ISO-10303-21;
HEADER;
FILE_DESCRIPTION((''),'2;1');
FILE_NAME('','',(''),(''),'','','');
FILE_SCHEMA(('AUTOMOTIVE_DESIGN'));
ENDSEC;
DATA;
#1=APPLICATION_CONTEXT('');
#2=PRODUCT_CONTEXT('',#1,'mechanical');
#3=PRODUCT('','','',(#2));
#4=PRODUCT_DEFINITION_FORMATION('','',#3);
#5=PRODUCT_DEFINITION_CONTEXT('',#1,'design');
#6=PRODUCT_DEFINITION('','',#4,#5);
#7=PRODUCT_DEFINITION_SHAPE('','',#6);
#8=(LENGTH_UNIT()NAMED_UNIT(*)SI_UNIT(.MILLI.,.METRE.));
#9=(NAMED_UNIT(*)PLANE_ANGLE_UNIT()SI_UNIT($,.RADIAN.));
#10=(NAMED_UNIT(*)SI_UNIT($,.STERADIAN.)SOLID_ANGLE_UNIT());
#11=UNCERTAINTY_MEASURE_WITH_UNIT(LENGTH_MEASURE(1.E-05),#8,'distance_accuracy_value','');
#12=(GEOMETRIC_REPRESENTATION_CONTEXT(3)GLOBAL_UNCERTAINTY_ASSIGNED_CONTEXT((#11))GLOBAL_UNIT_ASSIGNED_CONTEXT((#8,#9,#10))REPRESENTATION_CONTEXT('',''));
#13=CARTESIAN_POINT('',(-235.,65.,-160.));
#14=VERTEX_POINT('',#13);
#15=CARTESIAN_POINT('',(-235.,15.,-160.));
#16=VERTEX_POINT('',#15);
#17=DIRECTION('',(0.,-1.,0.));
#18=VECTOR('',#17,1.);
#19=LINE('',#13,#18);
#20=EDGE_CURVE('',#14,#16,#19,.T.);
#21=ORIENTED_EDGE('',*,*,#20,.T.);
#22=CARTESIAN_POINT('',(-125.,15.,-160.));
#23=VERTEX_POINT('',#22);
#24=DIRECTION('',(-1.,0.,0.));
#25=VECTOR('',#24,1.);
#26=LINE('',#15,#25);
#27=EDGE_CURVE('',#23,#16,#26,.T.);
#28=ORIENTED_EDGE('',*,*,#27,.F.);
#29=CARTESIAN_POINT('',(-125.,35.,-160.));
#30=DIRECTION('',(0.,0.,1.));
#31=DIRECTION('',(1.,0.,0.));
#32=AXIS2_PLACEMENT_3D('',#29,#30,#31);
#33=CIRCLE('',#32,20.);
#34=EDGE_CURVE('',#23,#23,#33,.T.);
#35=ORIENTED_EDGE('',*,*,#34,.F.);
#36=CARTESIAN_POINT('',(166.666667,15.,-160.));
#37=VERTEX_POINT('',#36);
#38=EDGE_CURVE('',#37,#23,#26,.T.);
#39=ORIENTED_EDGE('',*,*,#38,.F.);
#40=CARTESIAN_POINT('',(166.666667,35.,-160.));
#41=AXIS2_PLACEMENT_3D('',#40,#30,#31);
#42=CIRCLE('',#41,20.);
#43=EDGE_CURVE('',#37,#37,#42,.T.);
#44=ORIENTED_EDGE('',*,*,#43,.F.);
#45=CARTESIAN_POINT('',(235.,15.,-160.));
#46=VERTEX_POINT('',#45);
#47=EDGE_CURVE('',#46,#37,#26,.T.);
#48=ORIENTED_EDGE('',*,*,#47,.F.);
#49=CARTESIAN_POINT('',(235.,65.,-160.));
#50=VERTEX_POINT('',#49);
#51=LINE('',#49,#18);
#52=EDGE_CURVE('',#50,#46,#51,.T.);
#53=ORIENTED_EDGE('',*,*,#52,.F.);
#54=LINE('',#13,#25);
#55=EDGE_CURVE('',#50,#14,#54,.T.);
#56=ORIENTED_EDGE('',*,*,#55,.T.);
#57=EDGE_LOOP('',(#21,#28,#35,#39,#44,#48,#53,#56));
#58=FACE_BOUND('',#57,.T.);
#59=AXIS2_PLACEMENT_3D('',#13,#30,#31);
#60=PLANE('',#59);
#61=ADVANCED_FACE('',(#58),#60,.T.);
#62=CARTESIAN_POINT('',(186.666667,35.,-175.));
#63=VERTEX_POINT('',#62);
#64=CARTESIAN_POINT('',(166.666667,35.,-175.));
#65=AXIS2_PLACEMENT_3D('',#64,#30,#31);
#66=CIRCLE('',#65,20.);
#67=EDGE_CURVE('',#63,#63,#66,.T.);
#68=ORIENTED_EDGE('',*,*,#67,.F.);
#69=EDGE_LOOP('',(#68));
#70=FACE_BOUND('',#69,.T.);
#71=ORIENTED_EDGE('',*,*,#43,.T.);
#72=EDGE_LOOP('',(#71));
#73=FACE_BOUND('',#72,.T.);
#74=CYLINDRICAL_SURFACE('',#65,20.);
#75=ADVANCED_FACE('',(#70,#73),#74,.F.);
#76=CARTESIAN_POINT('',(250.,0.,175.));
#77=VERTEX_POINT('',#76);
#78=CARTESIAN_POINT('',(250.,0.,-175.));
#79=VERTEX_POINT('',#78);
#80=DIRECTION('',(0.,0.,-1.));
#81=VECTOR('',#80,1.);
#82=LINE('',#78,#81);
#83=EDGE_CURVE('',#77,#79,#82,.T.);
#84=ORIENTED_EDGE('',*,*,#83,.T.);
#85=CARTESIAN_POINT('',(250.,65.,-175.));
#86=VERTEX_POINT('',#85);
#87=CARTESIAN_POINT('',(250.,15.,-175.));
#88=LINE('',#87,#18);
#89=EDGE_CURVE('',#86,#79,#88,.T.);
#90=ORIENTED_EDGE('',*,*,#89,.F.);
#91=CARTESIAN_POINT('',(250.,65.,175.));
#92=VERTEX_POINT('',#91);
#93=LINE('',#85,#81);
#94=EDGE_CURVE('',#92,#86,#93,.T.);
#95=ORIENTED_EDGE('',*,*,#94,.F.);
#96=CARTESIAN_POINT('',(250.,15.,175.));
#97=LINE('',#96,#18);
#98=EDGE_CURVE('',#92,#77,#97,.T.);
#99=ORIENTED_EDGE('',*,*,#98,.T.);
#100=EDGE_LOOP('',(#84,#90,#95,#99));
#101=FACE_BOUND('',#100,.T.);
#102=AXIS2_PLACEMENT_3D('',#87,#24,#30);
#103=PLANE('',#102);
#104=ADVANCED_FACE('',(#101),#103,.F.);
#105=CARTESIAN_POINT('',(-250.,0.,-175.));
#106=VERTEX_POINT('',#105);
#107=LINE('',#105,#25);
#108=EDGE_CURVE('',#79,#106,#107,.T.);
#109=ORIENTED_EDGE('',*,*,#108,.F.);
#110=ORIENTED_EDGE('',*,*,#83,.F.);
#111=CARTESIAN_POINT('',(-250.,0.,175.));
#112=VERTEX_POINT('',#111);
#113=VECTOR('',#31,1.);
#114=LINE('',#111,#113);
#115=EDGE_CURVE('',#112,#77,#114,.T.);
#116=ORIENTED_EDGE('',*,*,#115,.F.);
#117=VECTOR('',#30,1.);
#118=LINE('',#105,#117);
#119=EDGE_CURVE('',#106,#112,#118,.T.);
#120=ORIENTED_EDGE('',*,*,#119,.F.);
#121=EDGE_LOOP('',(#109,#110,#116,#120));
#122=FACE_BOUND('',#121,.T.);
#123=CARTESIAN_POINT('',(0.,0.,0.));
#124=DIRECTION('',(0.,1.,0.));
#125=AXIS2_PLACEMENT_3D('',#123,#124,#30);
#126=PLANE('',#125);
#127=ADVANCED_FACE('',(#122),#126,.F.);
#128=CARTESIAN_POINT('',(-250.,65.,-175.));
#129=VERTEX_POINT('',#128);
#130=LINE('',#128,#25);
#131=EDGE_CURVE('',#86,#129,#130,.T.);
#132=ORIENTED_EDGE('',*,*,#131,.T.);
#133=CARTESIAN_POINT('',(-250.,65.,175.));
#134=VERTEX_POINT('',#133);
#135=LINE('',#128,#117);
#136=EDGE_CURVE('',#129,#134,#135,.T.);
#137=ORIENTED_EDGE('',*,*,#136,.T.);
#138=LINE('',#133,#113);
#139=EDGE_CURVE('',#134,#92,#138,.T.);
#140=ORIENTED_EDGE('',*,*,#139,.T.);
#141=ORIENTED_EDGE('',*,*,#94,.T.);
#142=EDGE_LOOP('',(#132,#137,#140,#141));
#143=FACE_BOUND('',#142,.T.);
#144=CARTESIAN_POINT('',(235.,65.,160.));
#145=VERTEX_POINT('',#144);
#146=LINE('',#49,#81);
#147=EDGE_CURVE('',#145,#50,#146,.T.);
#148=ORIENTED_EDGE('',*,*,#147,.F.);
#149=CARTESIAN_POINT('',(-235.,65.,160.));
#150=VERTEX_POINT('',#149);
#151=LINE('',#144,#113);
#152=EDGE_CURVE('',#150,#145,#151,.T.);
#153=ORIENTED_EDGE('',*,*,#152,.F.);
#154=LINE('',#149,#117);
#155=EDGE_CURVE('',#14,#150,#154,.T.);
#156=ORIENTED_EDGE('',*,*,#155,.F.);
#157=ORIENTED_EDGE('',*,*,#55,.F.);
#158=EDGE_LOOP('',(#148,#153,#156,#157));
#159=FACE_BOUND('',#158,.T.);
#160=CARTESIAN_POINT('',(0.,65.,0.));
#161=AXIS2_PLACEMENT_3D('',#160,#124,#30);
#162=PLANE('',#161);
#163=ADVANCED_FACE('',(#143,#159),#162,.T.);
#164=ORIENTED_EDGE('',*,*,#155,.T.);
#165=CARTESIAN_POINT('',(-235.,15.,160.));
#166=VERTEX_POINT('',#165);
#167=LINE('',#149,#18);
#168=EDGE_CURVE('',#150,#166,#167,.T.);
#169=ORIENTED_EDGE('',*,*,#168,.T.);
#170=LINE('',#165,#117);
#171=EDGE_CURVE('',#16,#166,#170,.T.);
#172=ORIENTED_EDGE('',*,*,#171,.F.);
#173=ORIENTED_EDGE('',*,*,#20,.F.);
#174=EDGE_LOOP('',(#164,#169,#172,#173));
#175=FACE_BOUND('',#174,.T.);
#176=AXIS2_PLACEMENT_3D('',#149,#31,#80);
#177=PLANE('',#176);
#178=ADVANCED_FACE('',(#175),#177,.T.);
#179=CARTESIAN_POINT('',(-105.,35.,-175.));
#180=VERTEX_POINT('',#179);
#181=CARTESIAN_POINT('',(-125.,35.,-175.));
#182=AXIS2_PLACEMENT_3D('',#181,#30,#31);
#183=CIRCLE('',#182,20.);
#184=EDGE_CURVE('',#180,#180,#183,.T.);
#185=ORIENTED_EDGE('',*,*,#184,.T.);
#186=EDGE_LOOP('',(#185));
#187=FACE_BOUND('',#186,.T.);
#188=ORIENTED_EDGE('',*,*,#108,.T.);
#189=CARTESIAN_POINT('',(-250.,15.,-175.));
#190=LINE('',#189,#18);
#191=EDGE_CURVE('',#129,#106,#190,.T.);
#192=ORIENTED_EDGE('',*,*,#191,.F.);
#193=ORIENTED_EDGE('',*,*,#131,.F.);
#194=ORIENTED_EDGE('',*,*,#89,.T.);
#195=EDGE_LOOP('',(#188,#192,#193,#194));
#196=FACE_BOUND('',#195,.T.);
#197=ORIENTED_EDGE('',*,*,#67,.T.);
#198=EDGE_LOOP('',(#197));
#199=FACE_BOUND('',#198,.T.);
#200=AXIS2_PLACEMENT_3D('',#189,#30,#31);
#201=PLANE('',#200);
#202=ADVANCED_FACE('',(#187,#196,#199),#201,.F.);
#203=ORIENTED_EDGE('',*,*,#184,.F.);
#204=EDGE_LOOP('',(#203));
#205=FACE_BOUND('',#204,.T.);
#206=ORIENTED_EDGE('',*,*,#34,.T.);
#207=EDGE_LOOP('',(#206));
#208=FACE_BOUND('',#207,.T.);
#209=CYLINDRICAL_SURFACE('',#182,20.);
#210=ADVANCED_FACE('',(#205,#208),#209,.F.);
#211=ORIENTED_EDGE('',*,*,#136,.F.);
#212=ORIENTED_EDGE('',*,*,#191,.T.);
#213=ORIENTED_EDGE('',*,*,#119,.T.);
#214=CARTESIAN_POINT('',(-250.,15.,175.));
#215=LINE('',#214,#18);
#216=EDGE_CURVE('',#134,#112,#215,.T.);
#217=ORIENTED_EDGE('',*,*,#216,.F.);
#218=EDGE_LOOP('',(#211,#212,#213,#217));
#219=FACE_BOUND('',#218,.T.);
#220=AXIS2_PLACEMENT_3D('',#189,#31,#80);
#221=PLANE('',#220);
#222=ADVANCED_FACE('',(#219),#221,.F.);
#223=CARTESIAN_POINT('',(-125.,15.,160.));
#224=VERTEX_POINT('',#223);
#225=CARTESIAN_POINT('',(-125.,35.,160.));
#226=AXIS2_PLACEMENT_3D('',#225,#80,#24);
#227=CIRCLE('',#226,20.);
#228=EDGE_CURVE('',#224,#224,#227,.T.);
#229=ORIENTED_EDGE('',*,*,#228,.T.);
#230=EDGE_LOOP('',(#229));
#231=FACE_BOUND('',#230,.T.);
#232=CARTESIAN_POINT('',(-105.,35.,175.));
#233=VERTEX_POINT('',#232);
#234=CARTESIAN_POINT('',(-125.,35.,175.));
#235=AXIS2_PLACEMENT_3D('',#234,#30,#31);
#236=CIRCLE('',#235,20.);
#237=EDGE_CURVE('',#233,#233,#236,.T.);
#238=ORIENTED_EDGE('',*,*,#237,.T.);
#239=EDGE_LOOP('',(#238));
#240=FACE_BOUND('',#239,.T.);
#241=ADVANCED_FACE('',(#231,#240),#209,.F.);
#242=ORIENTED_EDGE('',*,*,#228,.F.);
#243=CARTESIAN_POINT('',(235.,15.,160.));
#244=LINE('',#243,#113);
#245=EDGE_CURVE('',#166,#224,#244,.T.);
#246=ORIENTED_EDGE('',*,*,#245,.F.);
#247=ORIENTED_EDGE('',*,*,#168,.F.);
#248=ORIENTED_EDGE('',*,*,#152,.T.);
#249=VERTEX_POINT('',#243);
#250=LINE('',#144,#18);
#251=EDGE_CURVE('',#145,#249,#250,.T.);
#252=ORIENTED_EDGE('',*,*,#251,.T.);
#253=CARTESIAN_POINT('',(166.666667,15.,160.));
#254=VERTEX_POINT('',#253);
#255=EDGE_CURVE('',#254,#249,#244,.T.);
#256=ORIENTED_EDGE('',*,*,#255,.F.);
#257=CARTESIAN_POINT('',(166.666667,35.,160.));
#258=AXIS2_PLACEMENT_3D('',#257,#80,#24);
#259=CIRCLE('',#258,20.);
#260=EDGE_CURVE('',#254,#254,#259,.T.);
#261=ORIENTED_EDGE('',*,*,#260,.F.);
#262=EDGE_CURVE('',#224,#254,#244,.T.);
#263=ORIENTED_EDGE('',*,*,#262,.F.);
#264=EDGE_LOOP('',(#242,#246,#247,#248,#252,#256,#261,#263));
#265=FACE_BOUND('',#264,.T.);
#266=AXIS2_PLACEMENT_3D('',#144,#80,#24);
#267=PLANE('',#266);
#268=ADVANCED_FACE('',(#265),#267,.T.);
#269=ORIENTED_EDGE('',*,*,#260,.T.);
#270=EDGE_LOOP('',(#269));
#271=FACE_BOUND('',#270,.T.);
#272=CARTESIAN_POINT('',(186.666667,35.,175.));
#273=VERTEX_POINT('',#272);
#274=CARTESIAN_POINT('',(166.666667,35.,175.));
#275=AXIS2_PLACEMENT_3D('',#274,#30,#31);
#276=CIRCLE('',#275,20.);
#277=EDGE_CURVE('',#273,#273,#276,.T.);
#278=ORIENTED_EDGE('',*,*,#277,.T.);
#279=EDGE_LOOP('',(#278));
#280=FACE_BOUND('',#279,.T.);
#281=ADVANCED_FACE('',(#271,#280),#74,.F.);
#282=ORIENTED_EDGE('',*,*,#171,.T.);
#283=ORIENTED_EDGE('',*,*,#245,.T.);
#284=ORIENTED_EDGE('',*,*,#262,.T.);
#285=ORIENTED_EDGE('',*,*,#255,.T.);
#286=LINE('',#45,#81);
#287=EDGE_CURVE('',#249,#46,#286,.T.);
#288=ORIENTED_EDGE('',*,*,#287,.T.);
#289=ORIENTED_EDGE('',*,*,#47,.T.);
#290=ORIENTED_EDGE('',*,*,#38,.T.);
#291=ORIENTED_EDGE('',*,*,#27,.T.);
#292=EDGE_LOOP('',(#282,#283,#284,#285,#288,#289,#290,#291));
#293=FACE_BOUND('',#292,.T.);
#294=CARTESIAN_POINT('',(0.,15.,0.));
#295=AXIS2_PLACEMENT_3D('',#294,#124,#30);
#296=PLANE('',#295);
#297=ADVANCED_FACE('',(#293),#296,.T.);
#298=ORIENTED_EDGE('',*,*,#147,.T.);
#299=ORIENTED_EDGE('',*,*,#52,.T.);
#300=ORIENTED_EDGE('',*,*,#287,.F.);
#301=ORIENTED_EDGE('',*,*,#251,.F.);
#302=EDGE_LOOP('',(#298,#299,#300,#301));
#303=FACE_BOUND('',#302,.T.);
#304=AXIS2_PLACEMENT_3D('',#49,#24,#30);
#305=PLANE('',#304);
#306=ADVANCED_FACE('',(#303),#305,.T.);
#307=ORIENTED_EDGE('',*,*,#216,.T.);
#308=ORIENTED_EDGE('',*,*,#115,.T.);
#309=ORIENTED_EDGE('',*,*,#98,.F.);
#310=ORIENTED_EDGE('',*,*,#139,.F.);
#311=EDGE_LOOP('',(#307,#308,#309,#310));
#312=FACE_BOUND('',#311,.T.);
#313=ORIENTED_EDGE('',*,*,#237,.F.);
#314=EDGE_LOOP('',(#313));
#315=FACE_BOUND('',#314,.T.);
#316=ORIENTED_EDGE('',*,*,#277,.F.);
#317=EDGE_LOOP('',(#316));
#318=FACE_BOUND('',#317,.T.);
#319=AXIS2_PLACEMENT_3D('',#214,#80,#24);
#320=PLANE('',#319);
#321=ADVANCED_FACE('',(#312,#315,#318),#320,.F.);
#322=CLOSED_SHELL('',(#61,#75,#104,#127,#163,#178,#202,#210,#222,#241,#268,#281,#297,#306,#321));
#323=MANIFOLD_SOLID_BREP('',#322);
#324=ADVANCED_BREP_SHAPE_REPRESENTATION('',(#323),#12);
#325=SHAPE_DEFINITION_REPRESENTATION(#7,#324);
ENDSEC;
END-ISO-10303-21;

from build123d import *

# Parameters (mm, degrees)
CROQUIS1_W              = 500
CROQUIS1_H              = 350
SALIENTE_EXTRUIR1_DEPTH = 15
CROQUIS2_W              = 500
CROQUIS2_H              = 350
CROQUIS2_W_2            = 470
CROQUIS2_H_2            = 320
SALIENTE_EXTRUIR2_DEPTH = 50
CROQUIS3_R              = 20
CORTAR_EXTRUIR1_DEPTH   = 351


with BuildPart() as part:
    # Croquis1 → Saliente-Extruir1 (new body)
    with BuildSketch(Plane(origin=(0, 0, 0), x_dir=(1, 0, 0), z_dir=(0, 1, 0))):
        Rectangle(CROQUIS1_W, CROQUIS1_H)
    extrude(amount=SALIENTE_EXTRUIR1_DEPTH)

    # Croquis2 → Saliente-Extruir2 (add)
    with BuildSketch(Plane(origin=(0, 15, 0), x_dir=(1, 0, 0), z_dir=(0, 1, 0))):
        Rectangle(CROQUIS2_W, CROQUIS2_H)
        Rectangle(CROQUIS2_W_2, CROQUIS2_H_2, mode=Mode.SUBTRACT)
    extrude(amount=SALIENTE_EXTRUIR2_DEPTH)

    # Croquis3 → Cortar-Extruir1 (cut, through all)
    with BuildSketch(Plane.XY.offset(175)):
        with Locations((-125, 35)):
            Circle(CROQUIS3_R)
        with Locations((166.666666667, 35)):
            Circle(CROQUIS3_R)
    extrude(amount=-CORTAR_EXTRUIR1_DEPTH, mode=Mode.SUBTRACT)


solid = part.part
